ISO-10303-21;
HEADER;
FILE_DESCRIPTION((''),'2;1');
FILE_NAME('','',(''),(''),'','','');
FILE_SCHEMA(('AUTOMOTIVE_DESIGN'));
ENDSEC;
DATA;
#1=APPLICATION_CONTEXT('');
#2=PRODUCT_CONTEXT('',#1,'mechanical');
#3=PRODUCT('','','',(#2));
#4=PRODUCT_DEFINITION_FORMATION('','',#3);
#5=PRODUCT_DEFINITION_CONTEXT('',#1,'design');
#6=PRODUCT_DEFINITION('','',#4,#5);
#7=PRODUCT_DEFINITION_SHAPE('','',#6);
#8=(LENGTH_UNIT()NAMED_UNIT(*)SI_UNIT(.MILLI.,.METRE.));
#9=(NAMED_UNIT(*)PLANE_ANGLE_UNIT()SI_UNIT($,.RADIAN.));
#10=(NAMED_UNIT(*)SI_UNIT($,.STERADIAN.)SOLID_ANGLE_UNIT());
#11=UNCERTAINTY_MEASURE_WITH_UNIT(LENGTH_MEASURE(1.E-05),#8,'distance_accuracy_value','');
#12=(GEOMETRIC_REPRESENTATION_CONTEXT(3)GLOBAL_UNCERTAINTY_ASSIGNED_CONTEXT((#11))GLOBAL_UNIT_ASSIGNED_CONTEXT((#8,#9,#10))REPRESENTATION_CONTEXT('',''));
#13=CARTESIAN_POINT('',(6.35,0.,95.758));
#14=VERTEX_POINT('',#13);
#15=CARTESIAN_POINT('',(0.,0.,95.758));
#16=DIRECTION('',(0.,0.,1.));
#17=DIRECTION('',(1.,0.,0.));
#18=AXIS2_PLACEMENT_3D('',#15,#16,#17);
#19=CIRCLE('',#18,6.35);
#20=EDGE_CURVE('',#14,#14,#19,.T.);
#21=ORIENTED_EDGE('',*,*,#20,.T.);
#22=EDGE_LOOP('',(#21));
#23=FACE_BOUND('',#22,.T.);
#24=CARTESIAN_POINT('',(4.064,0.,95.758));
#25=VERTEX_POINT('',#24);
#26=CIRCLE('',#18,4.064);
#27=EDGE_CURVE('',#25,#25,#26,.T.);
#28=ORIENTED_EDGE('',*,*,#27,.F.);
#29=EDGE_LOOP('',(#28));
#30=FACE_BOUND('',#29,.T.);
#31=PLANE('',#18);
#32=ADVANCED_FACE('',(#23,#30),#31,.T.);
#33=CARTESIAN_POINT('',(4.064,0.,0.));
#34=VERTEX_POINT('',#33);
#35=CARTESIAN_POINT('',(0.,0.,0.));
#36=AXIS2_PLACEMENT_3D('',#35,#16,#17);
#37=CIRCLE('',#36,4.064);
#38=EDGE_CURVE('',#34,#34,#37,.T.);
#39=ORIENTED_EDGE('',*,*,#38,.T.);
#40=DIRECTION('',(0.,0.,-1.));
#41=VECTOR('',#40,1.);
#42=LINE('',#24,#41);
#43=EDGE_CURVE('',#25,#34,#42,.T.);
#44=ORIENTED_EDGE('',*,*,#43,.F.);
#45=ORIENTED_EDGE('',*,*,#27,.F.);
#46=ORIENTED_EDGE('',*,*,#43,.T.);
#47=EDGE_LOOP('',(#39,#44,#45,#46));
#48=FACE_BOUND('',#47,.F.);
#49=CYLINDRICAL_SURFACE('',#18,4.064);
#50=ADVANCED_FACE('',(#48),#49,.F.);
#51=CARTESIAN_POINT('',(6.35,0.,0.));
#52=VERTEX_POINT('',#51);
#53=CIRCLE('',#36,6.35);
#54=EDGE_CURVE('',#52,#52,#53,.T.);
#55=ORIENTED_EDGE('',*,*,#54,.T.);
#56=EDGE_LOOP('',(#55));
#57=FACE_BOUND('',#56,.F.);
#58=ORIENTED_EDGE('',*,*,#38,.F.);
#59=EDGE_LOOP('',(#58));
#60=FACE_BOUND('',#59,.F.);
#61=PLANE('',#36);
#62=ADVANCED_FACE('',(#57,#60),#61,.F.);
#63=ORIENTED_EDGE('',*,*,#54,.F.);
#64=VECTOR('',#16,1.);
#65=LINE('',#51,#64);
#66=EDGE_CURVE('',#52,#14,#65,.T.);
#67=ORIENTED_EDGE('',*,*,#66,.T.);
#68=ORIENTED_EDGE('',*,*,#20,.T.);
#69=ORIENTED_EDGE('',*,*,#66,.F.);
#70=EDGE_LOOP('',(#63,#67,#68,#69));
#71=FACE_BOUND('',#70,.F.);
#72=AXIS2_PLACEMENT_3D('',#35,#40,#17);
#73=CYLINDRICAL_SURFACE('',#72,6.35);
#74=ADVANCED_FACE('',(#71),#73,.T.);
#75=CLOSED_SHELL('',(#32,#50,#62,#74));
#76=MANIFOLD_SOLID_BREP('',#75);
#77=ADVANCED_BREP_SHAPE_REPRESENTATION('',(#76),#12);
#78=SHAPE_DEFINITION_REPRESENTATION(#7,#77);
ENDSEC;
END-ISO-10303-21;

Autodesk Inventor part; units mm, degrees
ref_plane "YZ Plane" through (0, 0, 0) normal (1, 0, 0) x (0, 1, 0)
ref_plane "XZ Plane" through (0, 0, 0) normal (0, 1, 0) x (-1, 0, 0)
ref_plane "XY Plane" through (0, 0, 0) normal (0, 0, 1) x (1, 0, 0)
sketch "Sketch1" plane through (0, 0, 0) normal (0, 0, 1) x (1, 0, 0)
  circle A0 centre (0, 0) radius 6.35
  dimension "d0" = 12.7
extrude "Extrusion1" add sketch "Sketch1" along normal blind 95.758
sketch "Sketch2" plane through (0, 0, 95.758) normal (0, 0, 1) x (1, 0, 0)
  circle A0 centre (0, 0) radius 4.064
  dimension "d3" = 8.128
extrude "Extrusion2" cut sketch "Sketch2" against normal blind 95.758
properties part number "standoff"
